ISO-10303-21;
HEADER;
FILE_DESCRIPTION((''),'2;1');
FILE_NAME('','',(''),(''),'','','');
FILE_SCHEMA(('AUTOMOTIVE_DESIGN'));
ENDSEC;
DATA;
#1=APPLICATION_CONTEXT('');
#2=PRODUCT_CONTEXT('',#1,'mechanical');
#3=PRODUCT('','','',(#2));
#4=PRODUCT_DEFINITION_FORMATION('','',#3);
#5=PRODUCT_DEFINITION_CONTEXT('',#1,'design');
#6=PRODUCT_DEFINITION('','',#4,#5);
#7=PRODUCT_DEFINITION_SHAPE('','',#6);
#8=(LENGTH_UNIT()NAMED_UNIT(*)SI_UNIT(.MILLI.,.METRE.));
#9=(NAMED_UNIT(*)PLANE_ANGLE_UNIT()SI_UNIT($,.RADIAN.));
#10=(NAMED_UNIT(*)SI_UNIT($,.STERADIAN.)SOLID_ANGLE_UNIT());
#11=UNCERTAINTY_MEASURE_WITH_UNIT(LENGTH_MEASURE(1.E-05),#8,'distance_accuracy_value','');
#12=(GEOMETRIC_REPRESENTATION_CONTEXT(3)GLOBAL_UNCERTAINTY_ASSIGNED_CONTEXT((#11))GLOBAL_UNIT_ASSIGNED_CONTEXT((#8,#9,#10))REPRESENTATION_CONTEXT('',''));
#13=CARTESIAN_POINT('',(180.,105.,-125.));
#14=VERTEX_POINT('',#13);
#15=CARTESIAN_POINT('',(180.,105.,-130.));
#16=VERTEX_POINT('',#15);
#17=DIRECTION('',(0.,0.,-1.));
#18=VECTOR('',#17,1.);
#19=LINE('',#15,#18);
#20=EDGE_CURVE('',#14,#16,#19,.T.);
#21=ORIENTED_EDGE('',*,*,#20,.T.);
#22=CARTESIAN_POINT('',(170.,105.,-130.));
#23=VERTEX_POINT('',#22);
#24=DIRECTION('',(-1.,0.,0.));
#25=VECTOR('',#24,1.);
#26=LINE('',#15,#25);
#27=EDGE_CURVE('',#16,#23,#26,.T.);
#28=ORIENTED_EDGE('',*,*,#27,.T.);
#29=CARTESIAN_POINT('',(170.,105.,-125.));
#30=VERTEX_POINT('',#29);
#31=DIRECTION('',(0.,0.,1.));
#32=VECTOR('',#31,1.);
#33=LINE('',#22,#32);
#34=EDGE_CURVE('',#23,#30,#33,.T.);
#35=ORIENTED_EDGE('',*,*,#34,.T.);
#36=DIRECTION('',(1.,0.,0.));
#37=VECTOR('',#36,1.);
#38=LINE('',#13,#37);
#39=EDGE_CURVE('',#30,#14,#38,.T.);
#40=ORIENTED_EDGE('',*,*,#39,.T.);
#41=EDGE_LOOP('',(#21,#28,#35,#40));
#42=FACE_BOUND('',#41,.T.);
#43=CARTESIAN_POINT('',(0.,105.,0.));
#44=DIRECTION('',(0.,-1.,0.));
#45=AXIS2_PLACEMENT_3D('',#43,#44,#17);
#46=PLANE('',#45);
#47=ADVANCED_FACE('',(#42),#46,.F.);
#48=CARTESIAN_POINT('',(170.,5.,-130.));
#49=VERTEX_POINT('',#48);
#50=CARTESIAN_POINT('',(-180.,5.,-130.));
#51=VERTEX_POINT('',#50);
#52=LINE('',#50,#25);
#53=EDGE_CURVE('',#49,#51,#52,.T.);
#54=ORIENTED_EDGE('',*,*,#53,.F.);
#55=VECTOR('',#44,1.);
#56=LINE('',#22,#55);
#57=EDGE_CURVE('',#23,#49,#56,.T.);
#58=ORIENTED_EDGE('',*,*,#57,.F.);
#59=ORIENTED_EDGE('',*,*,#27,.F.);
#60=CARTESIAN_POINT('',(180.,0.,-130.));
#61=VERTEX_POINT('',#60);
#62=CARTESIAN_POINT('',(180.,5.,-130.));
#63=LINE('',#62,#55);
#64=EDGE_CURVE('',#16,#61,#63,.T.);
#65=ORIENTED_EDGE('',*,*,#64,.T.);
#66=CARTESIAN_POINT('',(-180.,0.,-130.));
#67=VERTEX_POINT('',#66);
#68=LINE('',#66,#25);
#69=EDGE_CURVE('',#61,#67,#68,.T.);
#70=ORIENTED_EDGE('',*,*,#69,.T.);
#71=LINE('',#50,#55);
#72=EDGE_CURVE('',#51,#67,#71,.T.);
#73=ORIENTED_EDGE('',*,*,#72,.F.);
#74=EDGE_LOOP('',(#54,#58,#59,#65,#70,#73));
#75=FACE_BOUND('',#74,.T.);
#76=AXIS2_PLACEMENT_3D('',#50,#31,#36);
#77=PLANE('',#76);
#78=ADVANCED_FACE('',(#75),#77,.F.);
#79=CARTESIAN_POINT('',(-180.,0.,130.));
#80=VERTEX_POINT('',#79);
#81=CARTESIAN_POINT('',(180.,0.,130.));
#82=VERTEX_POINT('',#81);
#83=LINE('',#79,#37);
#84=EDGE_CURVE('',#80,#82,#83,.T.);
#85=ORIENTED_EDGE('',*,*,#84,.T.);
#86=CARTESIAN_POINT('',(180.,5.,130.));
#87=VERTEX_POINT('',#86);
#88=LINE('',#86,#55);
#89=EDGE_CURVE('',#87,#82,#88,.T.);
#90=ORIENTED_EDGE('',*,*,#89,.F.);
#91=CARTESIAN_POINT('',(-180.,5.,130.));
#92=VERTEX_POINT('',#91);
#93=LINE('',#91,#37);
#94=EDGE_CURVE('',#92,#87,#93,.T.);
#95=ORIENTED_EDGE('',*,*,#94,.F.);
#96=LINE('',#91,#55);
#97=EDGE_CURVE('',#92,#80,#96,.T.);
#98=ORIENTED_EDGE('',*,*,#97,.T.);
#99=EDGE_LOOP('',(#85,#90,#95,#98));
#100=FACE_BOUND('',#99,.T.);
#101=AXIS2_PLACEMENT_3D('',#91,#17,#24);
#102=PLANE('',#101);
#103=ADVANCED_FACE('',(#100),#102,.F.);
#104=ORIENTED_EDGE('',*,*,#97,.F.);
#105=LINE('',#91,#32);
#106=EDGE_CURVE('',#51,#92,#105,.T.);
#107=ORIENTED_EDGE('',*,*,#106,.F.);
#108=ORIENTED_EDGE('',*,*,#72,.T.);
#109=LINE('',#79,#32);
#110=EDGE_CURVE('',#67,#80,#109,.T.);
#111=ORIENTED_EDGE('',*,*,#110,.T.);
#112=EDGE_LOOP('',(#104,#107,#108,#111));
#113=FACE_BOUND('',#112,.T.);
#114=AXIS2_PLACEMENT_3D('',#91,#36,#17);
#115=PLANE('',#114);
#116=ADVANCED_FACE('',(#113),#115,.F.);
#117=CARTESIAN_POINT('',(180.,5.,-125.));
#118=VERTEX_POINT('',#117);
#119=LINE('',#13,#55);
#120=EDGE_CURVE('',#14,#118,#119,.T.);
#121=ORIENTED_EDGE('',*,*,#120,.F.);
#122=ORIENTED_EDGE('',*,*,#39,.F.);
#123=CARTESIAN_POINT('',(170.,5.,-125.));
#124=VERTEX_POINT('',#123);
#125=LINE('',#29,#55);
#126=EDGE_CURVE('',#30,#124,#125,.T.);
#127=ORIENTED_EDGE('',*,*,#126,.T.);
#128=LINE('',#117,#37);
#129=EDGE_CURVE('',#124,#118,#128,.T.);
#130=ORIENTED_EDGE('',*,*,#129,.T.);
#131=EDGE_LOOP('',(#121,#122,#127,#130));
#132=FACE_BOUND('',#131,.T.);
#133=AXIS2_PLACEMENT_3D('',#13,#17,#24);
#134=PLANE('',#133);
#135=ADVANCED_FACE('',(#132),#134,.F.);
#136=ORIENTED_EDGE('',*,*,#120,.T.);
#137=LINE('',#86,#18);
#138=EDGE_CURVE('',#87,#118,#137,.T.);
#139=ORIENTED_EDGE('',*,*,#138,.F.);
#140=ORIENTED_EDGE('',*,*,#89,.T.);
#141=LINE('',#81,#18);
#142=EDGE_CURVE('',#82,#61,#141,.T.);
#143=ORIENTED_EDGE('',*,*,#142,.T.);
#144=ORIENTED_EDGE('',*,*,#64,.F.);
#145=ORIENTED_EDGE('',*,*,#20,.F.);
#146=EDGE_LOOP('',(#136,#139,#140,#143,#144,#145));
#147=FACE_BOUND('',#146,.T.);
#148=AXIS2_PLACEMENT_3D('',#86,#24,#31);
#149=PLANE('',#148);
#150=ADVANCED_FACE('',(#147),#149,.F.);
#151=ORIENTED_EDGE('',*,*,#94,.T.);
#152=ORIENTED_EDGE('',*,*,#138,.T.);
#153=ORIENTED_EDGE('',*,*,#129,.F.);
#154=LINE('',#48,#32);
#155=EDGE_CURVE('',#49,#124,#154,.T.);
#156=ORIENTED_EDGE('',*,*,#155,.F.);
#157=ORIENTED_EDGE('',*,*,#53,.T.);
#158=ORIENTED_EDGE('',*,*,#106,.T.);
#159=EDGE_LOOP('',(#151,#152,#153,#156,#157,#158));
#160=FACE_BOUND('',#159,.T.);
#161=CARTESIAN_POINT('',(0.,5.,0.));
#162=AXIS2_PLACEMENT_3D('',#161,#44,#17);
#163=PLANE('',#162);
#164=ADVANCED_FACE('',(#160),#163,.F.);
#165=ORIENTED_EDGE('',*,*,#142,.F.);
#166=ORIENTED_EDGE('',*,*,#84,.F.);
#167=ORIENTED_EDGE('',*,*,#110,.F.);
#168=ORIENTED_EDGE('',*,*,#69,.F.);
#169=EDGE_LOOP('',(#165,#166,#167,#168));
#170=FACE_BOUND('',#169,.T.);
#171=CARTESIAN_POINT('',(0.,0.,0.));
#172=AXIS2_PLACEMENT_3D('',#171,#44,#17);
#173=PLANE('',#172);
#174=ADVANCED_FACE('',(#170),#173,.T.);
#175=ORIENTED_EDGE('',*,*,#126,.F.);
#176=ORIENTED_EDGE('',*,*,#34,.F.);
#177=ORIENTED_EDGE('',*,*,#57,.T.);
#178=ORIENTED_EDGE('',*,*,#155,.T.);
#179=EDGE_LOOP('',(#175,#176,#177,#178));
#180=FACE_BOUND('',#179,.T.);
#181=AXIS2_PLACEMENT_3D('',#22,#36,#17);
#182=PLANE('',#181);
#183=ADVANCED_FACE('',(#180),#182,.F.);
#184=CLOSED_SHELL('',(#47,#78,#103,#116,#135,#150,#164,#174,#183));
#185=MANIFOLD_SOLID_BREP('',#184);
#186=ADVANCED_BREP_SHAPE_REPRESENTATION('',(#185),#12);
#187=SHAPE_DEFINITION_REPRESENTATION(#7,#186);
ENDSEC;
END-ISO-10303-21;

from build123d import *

# Parameters (mm, degrees)
ESQUISSE1_W        = 360
ESQUISSE1_H        = 260
BOSS_EXTRU_1_DEPTH = 5
ESQUISSE3_W        = 10
ESQUISSE3_H        = 5
BOSS_EXTRU_3_DEPTH = 100


with BuildPart() as part:
    # Esquisse1 → Boss.-Extru.1 (new body)
    with BuildSketch(Plane(origin=(0, 0, 0), x_dir=(1, 0, 0), z_dir=(0, 1, 0))):
        Rectangle(ESQUISSE1_W, ESQUISSE1_H)
    extrude(amount=BOSS_EXTRU_1_DEPTH)

    # Esquisse3 → Boss.-Extru.3 (add)
    with BuildSketch(Plane(origin=(0, 5, 0), x_dir=(1, 0, 0), z_dir=(0, 1, 0))):
        with Locations((175, 127.5)):
            Rectangle(ESQUISSE3_W, ESQUISSE3_H)
    extrude(amount=BOSS_EXTRU_3_DEPTH)


solid = part.part
